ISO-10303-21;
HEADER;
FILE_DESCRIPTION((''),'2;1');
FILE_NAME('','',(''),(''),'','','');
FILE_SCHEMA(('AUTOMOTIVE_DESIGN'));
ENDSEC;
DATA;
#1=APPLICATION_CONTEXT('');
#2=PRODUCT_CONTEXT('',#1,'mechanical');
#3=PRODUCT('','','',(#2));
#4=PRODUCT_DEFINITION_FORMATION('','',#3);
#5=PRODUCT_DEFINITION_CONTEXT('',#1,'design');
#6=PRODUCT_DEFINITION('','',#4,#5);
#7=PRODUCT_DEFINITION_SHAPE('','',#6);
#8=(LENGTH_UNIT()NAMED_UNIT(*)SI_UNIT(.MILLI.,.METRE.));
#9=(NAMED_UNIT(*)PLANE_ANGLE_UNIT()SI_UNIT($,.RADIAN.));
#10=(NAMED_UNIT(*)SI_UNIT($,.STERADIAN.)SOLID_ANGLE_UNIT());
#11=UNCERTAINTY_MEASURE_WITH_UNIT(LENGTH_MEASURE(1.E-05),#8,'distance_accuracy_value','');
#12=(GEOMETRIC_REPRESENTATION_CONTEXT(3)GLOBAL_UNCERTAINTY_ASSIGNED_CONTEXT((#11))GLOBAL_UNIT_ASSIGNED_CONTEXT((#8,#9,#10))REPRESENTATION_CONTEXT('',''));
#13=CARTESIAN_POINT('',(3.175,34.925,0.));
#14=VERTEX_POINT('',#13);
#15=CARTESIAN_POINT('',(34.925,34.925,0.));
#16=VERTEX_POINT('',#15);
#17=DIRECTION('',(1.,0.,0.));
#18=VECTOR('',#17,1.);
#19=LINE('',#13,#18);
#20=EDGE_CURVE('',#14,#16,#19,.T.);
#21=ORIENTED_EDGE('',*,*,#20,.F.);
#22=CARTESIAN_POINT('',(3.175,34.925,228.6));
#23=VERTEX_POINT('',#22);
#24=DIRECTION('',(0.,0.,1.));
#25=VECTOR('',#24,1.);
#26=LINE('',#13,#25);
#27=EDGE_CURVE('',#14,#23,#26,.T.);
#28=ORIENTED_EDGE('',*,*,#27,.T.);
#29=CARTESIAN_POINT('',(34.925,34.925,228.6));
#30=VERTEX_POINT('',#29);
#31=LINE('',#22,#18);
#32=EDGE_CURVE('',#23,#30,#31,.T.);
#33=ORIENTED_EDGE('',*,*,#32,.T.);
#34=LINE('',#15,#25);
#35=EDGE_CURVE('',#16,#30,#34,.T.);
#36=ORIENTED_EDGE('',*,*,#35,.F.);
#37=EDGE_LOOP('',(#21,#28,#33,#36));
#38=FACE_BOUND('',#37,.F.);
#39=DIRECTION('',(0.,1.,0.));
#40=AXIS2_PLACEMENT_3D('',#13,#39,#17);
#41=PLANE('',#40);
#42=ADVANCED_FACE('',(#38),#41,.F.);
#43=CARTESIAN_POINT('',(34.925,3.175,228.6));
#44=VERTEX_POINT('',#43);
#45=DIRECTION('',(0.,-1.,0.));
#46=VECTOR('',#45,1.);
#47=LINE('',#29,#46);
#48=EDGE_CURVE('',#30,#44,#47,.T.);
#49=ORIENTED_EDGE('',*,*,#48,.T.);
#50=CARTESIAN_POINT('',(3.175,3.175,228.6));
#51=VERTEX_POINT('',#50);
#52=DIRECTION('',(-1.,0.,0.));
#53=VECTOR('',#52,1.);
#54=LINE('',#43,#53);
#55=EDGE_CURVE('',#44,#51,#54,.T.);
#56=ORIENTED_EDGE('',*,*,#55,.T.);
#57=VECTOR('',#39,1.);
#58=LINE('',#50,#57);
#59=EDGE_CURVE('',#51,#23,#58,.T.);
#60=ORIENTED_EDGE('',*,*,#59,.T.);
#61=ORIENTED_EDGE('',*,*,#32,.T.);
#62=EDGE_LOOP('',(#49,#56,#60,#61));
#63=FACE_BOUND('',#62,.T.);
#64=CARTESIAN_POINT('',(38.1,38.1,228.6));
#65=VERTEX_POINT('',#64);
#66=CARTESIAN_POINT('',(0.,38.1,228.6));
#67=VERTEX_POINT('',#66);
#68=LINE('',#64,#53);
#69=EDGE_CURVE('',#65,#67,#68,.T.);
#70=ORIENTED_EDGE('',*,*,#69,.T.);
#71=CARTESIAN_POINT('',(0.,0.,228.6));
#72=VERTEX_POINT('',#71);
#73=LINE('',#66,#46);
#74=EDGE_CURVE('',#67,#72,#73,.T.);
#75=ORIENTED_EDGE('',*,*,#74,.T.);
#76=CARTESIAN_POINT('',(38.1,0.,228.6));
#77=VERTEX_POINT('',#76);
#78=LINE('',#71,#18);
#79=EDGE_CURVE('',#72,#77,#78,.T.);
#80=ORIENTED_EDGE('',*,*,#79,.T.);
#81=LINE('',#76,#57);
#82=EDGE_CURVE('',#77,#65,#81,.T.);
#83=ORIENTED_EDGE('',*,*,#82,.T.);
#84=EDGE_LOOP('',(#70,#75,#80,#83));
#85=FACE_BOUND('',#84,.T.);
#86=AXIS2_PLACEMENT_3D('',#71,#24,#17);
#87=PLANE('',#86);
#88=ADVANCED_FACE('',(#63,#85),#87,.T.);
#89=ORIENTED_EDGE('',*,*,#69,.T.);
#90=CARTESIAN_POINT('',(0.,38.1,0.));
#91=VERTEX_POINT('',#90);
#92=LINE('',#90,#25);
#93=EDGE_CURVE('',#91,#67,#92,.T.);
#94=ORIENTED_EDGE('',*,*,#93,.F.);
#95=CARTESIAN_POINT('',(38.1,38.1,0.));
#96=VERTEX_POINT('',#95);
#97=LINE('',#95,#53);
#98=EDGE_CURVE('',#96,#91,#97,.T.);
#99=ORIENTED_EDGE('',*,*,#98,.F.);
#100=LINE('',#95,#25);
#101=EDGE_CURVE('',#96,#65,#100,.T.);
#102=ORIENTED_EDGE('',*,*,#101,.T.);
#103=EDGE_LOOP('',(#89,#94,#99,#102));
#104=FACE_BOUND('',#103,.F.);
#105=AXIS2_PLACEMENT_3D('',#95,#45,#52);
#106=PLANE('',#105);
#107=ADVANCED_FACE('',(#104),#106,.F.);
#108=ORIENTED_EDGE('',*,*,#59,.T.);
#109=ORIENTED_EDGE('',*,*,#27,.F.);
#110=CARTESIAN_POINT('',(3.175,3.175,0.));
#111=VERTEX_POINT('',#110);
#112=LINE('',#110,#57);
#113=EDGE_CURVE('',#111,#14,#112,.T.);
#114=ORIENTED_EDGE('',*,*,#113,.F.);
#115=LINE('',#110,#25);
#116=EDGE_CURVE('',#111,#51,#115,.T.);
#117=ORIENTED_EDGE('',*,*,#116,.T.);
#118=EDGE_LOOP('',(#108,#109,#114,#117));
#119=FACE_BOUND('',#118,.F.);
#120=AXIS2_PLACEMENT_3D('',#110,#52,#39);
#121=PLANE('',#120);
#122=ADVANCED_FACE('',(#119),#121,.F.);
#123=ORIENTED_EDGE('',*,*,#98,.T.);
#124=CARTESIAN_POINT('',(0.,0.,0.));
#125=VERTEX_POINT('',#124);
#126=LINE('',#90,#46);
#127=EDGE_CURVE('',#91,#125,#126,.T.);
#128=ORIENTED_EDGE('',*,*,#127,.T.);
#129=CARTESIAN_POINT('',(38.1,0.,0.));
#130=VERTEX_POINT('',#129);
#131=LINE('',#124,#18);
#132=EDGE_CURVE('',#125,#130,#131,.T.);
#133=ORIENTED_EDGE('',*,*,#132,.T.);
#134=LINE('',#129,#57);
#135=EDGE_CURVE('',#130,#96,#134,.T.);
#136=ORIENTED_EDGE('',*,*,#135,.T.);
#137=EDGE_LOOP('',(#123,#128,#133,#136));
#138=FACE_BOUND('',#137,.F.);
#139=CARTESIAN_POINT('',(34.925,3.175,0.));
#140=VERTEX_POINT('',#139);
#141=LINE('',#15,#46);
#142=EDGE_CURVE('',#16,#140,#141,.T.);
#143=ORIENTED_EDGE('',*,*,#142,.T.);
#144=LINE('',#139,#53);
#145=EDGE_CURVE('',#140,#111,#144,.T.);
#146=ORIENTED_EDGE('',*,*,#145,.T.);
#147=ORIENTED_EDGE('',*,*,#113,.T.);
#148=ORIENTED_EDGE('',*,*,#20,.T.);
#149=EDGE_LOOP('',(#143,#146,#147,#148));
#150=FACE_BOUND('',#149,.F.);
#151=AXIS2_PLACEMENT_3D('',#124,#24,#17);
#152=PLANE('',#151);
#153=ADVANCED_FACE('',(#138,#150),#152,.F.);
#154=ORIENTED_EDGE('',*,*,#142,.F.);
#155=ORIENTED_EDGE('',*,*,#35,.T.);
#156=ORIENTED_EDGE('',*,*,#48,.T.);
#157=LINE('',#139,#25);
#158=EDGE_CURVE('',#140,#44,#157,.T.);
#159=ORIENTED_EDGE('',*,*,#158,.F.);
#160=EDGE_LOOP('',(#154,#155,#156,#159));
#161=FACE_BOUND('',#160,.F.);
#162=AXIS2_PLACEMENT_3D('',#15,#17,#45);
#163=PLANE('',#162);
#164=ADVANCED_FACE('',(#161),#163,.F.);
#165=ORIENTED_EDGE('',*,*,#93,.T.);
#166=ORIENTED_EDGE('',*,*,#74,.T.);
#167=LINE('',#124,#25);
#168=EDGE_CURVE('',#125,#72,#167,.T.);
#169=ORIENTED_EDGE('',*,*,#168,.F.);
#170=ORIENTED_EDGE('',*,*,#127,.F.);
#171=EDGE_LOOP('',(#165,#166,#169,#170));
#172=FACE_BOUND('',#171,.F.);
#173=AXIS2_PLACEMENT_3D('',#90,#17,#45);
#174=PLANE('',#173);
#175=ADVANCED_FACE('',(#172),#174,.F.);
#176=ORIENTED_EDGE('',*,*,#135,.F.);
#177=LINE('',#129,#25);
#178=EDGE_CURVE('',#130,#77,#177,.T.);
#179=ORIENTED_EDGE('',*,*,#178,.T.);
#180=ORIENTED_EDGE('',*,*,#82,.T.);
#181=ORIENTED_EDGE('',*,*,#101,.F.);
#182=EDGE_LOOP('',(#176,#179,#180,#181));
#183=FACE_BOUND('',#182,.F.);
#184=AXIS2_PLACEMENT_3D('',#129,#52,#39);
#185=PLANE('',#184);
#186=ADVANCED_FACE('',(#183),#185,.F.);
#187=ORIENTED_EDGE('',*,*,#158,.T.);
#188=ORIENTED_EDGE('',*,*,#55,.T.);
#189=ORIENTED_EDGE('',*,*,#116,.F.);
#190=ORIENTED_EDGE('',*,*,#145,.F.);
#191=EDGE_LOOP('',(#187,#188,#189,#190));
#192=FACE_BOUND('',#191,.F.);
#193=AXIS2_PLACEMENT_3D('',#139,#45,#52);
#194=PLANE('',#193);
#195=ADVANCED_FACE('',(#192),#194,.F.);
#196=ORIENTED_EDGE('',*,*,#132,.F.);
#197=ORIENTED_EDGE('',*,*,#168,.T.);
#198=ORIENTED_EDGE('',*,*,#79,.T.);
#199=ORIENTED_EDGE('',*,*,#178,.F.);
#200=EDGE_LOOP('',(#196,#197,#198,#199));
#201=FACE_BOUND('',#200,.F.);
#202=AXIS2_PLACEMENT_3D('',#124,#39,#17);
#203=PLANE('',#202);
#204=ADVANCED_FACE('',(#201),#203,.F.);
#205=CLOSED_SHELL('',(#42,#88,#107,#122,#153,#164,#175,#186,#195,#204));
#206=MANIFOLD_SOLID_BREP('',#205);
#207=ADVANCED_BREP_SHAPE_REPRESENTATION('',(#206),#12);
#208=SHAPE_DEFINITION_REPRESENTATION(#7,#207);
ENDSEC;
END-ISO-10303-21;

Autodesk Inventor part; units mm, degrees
ref_plane "YZ Plane" through (0, 0, 0) normal (1, 0, 0) x (0, 1, 0)
ref_plane "XZ Plane" through (0, 0, 0) normal (0, 1, 0) x (-1, 0, 0)
ref_plane "XY Plane" through (0, 0, 0) normal (0, 0, 1) x (1, 0, 0)
sketch "Sketch1" plane through (0, 0, 0) normal (0, 0, 1) x (1, 0, 0)
  line L0 (0, 0) -> (38.1, 0)
  line L1 (38.1, 0) -> (38.1, 38.1)
  line L2 (38.1, 38.1) -> (0, 38.1)
  line L3 (0, 38.1) -> (0, 0)
  line L4 (34.925, 34.925) -> (34.925, 3.175)
  line L5 (34.925, 3.175) -> (3.175, 3.175)
  line L6 (3.175, 3.175) -> (3.175, 34.925)
  line L7 (3.175, 34.925) -> (34.925, 34.925)
  dimension "d0" = 38.1
  dimension "d1" = 38.1
  dimension "d2" = 3.175
extrude "Extrusion1" add sketch "Sketch1" along normal blind 228.6
equation "\"d0\" = d1"
properties part number "testRoboRescue_Chassis_Frame_lengthBar" material "Aluminum 6061"
